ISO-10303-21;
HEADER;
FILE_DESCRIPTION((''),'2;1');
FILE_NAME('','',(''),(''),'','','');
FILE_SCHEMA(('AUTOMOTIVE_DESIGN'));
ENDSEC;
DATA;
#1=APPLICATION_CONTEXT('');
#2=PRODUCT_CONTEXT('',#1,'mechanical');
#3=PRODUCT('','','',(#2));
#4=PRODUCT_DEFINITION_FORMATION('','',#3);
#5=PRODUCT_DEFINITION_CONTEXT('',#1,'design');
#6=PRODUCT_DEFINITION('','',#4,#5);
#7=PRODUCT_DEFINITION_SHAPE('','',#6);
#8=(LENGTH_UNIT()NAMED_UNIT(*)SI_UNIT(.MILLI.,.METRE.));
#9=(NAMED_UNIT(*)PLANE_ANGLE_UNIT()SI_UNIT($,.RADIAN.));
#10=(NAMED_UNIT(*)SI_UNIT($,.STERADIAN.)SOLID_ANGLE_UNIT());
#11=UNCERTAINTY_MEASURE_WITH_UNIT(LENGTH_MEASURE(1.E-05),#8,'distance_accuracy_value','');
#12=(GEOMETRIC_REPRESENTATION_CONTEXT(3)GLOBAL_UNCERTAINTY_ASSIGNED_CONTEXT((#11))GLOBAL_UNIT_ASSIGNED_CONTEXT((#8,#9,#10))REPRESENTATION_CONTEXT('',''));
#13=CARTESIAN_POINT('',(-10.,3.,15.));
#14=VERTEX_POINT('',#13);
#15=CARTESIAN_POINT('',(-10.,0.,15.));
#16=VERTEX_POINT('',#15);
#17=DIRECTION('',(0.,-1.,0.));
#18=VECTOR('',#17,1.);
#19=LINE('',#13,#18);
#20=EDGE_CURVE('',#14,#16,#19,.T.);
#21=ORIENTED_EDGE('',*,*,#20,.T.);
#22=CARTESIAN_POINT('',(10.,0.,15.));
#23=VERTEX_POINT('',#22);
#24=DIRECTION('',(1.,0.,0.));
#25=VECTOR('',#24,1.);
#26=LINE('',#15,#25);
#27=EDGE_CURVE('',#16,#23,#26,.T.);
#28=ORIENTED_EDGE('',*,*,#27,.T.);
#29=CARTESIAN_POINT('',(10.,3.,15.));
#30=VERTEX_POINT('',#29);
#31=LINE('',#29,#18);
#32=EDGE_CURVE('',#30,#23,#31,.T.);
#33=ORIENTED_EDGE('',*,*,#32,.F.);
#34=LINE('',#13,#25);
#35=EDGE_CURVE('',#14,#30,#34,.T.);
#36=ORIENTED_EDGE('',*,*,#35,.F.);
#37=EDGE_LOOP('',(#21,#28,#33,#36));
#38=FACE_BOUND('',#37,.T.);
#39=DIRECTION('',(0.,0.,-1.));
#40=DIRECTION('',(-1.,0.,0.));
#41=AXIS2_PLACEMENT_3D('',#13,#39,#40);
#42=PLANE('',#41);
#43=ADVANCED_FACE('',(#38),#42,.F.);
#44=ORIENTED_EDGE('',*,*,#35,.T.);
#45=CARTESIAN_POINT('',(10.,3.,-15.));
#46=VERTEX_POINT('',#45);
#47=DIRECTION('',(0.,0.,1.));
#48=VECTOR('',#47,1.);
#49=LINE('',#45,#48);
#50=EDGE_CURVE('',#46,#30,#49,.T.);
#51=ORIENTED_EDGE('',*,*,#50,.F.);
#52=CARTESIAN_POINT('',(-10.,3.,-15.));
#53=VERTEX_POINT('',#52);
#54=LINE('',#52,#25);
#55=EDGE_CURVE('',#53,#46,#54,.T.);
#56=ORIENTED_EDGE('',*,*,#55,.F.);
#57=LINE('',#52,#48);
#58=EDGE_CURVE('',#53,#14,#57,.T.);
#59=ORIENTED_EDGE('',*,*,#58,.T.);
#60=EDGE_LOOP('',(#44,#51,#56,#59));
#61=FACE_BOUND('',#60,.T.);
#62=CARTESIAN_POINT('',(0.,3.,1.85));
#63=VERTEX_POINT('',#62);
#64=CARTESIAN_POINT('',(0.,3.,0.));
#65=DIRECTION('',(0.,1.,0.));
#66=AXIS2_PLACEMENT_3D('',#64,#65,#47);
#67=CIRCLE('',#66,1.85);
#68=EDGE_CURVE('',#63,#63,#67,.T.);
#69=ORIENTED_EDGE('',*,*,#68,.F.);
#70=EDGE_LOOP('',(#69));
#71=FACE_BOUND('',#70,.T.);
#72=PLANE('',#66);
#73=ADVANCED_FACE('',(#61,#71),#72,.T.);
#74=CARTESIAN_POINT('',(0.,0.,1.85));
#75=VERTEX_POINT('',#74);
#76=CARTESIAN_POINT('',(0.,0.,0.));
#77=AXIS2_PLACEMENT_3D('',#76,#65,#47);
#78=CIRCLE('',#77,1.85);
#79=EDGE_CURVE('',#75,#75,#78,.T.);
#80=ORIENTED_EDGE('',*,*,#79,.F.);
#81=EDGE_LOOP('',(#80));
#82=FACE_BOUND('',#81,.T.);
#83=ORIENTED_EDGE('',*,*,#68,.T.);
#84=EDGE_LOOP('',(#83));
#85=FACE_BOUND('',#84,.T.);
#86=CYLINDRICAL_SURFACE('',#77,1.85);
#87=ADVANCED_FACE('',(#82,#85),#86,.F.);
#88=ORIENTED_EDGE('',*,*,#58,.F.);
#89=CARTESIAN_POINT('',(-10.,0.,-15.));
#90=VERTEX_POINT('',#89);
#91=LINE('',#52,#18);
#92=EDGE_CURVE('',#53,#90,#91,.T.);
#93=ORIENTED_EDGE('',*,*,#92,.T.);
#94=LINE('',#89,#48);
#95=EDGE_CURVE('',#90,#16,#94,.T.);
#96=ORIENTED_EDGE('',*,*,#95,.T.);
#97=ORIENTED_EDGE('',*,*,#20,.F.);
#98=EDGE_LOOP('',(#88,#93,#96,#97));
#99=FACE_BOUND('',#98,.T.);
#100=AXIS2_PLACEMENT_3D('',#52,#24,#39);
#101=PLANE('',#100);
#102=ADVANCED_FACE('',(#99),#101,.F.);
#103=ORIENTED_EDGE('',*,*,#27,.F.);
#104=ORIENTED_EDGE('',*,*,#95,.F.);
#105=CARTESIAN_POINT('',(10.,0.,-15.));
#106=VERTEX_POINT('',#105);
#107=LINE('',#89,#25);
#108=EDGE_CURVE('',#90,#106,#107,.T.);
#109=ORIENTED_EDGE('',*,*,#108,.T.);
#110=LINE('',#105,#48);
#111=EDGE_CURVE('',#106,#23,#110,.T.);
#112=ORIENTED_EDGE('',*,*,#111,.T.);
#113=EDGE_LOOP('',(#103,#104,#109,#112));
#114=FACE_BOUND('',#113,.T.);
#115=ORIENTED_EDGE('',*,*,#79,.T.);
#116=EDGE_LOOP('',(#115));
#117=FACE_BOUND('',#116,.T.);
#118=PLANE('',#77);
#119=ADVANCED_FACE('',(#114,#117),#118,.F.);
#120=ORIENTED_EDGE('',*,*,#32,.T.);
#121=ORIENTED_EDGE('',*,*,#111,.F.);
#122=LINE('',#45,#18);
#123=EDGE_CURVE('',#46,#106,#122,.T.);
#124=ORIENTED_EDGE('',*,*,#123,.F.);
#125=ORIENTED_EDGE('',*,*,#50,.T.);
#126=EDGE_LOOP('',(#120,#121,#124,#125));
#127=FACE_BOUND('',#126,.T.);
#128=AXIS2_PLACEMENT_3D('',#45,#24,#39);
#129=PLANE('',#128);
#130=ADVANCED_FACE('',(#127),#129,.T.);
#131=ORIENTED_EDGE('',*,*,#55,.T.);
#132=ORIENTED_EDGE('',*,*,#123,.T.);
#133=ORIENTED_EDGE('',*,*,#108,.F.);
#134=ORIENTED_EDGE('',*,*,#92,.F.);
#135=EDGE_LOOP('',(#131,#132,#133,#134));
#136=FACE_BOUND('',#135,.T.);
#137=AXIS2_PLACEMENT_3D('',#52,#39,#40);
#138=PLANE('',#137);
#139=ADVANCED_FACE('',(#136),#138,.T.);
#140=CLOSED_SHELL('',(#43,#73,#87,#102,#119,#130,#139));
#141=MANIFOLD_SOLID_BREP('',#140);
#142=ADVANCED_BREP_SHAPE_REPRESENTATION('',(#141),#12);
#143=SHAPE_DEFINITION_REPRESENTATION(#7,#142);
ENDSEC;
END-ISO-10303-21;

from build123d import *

# Parameters (mm, degrees)
SKETCH_1_W          = 20
SKETCH_1_H          = 30
EXTRUDE_1_DEPTH     = 3
SKETCH_2_R          = 1.85
CUT_EXTRUDE_1_DEPTH = 3


with BuildPart() as part:
    # 草图1 → 凸台-拉伸1 (new body)
    with BuildSketch(Plane(origin=(0, 0, 0), x_dir=(1, 0, 0), z_dir=(0, 1, 0))):
        Rectangle(SKETCH_1_W, SKETCH_1_H)
    extrude(amount=EXTRUDE_1_DEPTH)

    # 草图2 → 切除-拉伸1 (cut)
    with BuildSketch(Plane(origin=(0, 3, 0), x_dir=(1, 0, 0), z_dir=(0, 1, 0))):
        with Locations(Location((0, 0, 0), (0, 0, 270))):
            Circle(SKETCH_2_R)
    extrude(amount=-CUT_EXTRUDE_1_DEPTH, mode=Mode.SUBTRACT)


solid = part.part
